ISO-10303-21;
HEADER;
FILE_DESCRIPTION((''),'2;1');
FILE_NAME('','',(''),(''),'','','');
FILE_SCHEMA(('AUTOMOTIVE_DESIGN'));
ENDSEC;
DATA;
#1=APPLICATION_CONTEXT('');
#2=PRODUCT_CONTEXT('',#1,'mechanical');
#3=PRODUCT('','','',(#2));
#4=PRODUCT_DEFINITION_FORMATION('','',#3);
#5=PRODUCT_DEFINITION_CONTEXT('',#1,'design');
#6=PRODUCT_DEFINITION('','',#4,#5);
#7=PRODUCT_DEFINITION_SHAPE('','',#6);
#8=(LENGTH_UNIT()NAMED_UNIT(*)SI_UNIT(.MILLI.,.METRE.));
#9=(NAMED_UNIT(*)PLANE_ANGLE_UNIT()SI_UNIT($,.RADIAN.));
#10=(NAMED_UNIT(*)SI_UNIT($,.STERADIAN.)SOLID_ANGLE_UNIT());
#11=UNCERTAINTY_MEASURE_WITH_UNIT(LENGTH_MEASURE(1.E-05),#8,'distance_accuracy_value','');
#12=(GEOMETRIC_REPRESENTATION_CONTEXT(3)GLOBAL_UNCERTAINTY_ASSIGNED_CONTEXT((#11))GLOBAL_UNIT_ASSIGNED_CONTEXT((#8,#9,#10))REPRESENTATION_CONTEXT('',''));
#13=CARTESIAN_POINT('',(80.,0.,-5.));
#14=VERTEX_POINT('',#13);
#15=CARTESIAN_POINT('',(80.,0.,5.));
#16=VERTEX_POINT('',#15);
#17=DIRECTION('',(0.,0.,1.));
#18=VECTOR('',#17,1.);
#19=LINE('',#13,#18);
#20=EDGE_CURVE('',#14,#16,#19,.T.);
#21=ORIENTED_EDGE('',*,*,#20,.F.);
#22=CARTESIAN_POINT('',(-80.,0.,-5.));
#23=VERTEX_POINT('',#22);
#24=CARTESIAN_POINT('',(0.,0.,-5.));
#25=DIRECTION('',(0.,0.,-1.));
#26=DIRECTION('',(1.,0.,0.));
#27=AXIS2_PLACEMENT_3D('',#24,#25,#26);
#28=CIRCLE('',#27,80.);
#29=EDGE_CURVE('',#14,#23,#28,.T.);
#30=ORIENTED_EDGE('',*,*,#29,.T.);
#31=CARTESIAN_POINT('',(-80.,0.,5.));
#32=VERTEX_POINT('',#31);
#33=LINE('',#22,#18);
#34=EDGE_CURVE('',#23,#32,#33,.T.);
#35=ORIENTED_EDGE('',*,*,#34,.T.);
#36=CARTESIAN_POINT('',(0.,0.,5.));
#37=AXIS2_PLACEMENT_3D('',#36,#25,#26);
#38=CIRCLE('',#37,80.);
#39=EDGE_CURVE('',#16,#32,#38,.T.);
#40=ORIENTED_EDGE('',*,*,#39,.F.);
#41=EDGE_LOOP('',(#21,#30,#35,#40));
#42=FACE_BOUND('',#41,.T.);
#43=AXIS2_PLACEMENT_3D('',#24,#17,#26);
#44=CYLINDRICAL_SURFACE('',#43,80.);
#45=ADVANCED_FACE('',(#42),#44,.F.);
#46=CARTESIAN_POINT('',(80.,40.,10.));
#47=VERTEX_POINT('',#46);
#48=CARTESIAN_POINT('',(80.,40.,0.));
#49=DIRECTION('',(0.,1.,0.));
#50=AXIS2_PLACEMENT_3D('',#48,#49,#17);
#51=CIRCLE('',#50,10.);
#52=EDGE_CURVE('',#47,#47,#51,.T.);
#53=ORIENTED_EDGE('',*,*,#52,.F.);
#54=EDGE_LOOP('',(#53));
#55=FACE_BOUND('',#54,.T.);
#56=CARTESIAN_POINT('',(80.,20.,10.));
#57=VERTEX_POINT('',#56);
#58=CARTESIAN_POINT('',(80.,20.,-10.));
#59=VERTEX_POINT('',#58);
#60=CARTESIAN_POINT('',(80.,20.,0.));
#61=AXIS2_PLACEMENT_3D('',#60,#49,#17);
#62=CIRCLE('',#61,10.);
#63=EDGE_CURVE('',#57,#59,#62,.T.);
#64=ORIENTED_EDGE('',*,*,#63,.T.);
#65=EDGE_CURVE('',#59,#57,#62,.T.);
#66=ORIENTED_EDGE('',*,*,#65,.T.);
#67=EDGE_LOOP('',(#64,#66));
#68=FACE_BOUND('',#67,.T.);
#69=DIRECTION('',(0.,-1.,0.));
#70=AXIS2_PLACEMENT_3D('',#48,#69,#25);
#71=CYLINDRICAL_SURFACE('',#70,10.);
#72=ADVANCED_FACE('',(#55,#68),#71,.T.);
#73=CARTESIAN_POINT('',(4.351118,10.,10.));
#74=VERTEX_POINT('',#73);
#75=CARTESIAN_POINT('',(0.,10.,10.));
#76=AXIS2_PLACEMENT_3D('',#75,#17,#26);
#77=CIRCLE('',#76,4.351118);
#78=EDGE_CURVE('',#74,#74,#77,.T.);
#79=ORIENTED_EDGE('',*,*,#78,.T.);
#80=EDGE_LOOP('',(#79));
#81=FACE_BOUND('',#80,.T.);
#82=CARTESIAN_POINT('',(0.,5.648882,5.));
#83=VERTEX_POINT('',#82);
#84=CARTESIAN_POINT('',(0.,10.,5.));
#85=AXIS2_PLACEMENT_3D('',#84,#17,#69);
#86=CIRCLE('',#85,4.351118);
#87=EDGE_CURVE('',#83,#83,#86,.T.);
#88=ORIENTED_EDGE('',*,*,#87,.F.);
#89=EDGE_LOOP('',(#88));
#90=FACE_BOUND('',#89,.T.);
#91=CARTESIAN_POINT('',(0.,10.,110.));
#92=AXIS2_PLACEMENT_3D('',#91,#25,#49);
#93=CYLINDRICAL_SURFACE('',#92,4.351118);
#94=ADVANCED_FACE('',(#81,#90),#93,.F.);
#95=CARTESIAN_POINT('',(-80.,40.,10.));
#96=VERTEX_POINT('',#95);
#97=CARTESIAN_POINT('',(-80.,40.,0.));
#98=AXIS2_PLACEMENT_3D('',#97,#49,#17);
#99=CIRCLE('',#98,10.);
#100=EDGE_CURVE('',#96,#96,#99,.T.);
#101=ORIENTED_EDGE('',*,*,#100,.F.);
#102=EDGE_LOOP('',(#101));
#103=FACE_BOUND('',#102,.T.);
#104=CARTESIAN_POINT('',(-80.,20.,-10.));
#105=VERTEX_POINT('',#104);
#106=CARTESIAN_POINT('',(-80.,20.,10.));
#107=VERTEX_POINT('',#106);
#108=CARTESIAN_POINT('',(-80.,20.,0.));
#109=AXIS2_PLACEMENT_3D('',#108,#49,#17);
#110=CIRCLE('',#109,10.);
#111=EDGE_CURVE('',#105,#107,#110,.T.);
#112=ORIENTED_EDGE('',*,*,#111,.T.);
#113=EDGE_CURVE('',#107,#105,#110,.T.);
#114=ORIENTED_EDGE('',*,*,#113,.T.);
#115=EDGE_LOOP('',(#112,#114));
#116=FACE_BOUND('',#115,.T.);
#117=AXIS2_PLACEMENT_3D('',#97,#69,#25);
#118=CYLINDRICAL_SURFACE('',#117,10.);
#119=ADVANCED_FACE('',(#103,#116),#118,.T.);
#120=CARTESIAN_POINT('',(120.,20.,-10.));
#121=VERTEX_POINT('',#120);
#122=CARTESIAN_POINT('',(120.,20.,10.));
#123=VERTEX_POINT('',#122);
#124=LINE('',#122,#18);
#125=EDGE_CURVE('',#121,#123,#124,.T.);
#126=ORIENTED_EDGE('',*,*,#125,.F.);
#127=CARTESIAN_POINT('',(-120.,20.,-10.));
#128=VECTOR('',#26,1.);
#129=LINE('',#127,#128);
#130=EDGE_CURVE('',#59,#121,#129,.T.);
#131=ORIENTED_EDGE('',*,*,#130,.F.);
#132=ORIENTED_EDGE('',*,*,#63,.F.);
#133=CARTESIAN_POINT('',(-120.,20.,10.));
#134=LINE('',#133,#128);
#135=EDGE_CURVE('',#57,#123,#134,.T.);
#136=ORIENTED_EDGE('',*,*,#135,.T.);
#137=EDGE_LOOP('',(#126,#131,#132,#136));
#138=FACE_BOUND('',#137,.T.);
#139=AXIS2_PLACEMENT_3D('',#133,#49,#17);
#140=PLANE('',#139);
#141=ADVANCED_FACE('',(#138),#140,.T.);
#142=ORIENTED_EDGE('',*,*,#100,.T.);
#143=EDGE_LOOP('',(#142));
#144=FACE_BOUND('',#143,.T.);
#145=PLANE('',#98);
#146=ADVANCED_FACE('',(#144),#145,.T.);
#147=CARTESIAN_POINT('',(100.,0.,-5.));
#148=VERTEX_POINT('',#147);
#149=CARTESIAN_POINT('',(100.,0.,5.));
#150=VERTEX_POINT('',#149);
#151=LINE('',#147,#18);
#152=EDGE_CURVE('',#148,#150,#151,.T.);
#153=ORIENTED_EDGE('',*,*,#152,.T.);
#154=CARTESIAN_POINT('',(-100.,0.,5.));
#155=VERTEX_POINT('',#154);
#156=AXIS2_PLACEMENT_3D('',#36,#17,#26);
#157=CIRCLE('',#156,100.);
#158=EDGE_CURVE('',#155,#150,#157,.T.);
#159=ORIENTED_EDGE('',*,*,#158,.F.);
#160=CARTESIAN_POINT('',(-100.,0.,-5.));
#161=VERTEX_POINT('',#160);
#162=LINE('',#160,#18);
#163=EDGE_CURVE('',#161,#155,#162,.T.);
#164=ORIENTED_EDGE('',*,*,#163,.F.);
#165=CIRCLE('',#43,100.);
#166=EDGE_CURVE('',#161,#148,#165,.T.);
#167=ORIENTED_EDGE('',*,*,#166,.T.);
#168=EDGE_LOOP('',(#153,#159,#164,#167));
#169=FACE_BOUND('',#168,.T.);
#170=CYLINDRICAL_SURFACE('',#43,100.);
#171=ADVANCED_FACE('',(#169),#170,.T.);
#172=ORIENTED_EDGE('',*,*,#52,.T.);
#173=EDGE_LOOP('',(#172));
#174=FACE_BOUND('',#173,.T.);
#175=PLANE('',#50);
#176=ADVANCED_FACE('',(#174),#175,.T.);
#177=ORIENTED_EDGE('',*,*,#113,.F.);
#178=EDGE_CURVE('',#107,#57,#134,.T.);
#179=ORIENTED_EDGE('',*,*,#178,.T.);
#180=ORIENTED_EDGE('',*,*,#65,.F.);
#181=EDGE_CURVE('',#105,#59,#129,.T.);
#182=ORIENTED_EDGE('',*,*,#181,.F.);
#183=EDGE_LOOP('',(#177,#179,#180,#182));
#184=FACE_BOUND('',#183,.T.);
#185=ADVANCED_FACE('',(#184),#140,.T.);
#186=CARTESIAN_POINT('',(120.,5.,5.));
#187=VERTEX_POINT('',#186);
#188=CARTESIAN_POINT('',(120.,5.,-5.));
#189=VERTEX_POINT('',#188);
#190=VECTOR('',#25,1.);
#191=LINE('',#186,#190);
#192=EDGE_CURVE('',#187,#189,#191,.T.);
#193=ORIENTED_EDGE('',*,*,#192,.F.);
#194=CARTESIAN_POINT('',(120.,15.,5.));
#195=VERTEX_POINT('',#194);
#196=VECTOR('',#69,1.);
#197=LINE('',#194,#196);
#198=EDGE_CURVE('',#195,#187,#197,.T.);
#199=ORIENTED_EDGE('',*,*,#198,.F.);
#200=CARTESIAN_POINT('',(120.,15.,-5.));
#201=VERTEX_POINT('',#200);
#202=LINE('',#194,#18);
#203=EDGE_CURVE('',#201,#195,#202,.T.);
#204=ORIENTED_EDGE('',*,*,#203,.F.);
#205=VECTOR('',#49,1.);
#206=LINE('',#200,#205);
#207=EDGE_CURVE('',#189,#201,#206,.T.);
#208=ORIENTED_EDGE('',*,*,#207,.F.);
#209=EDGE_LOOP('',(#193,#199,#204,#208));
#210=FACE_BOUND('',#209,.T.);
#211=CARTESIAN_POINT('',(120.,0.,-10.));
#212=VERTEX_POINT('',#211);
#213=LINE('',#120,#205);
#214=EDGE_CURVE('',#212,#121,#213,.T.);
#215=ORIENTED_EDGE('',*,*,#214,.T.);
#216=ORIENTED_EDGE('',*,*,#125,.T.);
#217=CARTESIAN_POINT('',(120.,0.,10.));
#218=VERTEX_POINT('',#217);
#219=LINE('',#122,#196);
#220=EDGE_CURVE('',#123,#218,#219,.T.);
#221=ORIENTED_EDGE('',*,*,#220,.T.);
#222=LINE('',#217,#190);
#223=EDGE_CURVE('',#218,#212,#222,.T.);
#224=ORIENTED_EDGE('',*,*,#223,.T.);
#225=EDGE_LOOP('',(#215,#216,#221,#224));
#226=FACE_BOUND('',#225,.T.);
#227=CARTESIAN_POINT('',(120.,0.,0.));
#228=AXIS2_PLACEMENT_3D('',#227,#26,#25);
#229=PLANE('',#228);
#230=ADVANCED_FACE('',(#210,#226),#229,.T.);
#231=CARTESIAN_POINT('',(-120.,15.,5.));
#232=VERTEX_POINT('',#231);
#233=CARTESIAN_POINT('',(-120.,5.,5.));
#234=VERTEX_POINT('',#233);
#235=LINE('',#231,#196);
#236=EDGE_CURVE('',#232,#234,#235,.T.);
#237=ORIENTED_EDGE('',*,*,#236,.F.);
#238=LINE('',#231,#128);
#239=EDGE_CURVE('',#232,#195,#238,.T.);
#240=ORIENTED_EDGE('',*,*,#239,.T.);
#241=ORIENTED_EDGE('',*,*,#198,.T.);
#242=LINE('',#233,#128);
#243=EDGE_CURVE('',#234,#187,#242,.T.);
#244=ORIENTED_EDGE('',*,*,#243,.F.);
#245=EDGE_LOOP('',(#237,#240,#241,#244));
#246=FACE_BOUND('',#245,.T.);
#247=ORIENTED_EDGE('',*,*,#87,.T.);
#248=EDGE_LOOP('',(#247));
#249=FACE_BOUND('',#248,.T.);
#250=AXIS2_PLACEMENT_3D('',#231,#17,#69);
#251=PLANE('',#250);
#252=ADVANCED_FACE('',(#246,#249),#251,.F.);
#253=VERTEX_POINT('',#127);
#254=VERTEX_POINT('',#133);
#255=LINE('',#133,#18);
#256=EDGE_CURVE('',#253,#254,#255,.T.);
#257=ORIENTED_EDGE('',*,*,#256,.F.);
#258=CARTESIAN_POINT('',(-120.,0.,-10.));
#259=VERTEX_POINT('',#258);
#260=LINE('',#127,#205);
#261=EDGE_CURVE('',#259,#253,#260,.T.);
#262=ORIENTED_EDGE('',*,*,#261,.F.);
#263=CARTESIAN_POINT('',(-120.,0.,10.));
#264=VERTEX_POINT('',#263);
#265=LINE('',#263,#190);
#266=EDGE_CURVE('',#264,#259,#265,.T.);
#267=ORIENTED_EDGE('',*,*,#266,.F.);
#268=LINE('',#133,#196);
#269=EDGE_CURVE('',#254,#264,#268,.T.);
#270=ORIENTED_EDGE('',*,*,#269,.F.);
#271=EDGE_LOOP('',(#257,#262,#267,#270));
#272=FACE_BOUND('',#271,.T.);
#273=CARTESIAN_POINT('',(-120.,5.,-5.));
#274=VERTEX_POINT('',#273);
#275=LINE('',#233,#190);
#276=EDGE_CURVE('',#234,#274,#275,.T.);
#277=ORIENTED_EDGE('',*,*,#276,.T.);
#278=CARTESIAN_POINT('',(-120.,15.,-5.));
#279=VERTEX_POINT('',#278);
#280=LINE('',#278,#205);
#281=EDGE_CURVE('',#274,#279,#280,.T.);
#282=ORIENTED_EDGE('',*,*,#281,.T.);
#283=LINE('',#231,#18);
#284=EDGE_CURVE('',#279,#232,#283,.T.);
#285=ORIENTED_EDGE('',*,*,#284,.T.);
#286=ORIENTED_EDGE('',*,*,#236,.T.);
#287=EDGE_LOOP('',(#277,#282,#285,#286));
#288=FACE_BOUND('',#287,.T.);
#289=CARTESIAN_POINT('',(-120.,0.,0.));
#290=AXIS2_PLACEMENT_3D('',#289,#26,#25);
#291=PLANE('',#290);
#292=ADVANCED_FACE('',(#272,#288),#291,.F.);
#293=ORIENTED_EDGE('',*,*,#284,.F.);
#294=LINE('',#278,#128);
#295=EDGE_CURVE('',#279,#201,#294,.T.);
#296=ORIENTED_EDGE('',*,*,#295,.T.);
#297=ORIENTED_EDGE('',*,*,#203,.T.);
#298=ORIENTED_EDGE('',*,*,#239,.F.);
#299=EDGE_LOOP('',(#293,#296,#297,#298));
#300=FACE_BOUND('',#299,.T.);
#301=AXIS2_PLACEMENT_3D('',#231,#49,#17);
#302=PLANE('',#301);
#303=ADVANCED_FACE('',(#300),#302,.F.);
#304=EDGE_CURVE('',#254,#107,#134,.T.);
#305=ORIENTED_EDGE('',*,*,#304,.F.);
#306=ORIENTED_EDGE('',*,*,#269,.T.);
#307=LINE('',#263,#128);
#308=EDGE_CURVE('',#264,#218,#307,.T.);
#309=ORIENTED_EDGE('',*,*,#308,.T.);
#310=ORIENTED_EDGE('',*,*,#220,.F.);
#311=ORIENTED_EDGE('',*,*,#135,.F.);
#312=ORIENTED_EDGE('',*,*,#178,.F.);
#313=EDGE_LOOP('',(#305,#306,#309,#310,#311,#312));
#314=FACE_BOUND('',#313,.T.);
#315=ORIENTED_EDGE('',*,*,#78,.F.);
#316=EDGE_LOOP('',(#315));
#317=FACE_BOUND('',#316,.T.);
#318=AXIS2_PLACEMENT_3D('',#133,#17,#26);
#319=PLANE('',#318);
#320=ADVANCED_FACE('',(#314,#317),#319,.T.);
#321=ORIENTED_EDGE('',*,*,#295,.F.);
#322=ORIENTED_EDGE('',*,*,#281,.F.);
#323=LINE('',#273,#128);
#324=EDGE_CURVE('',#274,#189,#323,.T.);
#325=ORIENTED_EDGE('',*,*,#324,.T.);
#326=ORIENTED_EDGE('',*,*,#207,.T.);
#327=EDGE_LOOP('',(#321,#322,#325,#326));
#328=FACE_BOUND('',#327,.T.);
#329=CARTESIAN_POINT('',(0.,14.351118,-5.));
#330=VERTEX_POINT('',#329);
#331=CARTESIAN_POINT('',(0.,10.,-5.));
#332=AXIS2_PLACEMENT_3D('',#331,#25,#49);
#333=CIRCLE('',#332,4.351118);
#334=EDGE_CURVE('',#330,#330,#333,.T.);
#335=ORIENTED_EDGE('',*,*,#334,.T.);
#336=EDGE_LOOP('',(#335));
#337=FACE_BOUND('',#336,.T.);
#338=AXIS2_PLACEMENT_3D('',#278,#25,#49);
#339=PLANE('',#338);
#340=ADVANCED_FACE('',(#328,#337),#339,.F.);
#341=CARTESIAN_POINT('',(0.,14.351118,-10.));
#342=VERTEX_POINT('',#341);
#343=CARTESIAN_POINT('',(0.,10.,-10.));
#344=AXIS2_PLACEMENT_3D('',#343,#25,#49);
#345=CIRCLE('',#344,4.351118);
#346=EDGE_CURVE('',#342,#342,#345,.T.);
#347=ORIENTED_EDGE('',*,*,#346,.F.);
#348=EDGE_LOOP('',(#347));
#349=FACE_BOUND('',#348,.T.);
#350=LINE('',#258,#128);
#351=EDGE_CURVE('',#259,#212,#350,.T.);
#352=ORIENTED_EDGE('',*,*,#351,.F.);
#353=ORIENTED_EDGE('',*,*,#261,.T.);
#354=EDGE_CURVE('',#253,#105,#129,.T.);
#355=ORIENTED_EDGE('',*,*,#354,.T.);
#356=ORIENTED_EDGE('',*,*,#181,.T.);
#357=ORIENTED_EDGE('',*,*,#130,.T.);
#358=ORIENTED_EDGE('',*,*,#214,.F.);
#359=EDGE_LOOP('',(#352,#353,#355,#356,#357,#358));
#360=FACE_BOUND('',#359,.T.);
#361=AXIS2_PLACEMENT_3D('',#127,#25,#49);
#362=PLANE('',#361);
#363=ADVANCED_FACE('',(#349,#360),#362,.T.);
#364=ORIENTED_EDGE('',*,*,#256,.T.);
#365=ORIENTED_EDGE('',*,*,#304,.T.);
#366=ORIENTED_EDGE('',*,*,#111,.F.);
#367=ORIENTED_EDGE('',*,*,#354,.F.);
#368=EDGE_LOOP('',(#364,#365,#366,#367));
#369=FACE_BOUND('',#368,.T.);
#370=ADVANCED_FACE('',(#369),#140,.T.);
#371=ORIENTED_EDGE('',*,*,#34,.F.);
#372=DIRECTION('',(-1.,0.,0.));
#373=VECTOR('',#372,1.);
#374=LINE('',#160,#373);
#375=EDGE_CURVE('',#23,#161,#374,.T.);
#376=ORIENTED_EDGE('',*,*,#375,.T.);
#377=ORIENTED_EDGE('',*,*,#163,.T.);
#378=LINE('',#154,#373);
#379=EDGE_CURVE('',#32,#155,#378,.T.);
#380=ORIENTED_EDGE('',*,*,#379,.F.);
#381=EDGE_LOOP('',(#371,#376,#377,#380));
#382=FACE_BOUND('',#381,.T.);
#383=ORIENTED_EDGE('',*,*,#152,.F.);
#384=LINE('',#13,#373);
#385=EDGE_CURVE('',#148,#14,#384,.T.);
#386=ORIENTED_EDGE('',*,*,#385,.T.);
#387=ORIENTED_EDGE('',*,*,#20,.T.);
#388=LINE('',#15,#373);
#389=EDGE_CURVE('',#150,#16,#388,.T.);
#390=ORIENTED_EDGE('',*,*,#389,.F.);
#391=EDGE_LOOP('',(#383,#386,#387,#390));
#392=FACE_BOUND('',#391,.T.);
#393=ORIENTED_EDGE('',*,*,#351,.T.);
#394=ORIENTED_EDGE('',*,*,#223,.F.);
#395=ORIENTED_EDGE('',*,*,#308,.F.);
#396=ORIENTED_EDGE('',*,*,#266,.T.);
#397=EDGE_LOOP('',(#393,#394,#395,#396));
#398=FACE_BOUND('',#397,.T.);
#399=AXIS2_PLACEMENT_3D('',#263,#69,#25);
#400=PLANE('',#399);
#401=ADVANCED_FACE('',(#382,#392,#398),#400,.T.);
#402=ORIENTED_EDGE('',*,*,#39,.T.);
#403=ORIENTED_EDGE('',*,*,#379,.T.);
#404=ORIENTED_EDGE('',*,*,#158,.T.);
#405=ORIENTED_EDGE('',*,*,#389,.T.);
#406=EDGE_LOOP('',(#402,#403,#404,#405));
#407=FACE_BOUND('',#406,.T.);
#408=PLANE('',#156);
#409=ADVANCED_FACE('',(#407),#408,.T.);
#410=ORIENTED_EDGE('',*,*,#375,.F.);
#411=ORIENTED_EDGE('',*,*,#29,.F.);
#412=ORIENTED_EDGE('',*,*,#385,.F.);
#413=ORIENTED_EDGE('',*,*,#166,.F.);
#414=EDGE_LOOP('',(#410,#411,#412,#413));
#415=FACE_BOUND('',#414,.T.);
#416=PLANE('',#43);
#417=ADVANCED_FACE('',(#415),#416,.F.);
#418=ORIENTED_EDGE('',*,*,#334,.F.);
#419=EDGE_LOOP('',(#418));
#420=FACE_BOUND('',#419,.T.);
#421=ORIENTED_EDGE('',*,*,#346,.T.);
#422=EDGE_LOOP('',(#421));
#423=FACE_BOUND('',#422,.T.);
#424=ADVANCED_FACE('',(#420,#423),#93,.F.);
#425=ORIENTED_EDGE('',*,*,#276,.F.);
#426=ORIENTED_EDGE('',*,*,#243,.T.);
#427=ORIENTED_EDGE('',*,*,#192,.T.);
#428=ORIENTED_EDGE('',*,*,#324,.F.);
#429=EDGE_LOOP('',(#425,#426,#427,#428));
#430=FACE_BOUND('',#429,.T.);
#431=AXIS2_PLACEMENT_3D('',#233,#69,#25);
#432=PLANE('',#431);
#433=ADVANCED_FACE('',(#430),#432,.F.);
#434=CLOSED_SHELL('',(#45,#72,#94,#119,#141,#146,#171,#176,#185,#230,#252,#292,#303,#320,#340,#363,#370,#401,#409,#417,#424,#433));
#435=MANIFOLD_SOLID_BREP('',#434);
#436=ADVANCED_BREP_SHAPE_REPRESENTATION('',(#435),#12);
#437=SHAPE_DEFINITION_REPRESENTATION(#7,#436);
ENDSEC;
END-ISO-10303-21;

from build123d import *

# Parameters (mm, degrees)
BOSS_EXTRU_1_DEPTH      = 5
BOSS_EXTRU_1_DEPTH_BACK = 5
BOSS_EXTRU_2_DEPTH      = 120
BOSS_EXTRU_2_DEPTH_BACK = 120
ESQUISSE2_W             = 20
ESQUISSE2_H             = 20
ESQUISSE2_W_2           = 10
ESQUISSE2_H_2           = 10
ESQUISSE3_R             = 4.351117742
ENL_V_MAT_EXTRU_1_DEPTH = 120
ESQUISSE4_R             = 10
BOSS_EXTRU_3_DEPTH      = 20


with BuildPart() as part:
    # Esquisse1 → Boss.-Extru.1 (new, two sides: drawn at the far end of the back side and taken through both)
    with BuildSketch(Plane.XY.offset(-BOSS_EXTRU_1_DEPTH_BACK)):
        with BuildLine():
            Line((-100, 0), (-80, 0))
            ThreePointArc((-80, 0), (0, -80), (80, 0))
            Line((80, 0), (100, 0))
            ThreePointArc((100, 0), (0, -100), (-100, 0))
        make_face()
    extrude(amount=BOSS_EXTRU_1_DEPTH + BOSS_EXTRU_1_DEPTH_BACK)

    # Esquisse2 → Boss.-Extru.2 (add, two sides: drawn at the far end of the back side and taken through both)
    with BuildSketch(Plane(origin=(0, 0, 0), x_dir=(0, 0, -1), z_dir=(1, 0, 0)).offset(-BOSS_EXTRU_2_DEPTH_BACK)):
        with Locations((0, 10)):
            Rectangle(ESQUISSE2_W, ESQUISSE2_H)
        with Locations((0, 10)):
            Rectangle(ESQUISSE2_W_2, ESQUISSE2_H_2, mode=Mode.SUBTRACT)
    extrude(amount=BOSS_EXTRU_2_DEPTH + BOSS_EXTRU_2_DEPTH_BACK)

    # Esquisse3 → Enlèv. mat.-Extru.1 (cut)
    with BuildSketch(Plane(origin=(0, 0, -10), x_dir=(-1, 0, 0), z_dir=(0, 0, -1))):
        with Locations((0, 10)):
            Circle(ESQUISSE3_R)
    extrude(amount=-ENL_V_MAT_EXTRU_1_DEPTH, mode=Mode.SUBTRACT)

    # Esquisse4 → Boss.-Extru.3 (add)
    with BuildSketch(Plane(origin=(0, 20, 0), x_dir=(1, 0, 0), z_dir=(0, 1, 0))):
        with Locations((-80, 0)):
            Circle(ESQUISSE4_R)
        with Locations((80, 0)):
            Circle(ESQUISSE4_R)
    extrude(amount=BOSS_EXTRU_3_DEPTH)


solid = part.part
